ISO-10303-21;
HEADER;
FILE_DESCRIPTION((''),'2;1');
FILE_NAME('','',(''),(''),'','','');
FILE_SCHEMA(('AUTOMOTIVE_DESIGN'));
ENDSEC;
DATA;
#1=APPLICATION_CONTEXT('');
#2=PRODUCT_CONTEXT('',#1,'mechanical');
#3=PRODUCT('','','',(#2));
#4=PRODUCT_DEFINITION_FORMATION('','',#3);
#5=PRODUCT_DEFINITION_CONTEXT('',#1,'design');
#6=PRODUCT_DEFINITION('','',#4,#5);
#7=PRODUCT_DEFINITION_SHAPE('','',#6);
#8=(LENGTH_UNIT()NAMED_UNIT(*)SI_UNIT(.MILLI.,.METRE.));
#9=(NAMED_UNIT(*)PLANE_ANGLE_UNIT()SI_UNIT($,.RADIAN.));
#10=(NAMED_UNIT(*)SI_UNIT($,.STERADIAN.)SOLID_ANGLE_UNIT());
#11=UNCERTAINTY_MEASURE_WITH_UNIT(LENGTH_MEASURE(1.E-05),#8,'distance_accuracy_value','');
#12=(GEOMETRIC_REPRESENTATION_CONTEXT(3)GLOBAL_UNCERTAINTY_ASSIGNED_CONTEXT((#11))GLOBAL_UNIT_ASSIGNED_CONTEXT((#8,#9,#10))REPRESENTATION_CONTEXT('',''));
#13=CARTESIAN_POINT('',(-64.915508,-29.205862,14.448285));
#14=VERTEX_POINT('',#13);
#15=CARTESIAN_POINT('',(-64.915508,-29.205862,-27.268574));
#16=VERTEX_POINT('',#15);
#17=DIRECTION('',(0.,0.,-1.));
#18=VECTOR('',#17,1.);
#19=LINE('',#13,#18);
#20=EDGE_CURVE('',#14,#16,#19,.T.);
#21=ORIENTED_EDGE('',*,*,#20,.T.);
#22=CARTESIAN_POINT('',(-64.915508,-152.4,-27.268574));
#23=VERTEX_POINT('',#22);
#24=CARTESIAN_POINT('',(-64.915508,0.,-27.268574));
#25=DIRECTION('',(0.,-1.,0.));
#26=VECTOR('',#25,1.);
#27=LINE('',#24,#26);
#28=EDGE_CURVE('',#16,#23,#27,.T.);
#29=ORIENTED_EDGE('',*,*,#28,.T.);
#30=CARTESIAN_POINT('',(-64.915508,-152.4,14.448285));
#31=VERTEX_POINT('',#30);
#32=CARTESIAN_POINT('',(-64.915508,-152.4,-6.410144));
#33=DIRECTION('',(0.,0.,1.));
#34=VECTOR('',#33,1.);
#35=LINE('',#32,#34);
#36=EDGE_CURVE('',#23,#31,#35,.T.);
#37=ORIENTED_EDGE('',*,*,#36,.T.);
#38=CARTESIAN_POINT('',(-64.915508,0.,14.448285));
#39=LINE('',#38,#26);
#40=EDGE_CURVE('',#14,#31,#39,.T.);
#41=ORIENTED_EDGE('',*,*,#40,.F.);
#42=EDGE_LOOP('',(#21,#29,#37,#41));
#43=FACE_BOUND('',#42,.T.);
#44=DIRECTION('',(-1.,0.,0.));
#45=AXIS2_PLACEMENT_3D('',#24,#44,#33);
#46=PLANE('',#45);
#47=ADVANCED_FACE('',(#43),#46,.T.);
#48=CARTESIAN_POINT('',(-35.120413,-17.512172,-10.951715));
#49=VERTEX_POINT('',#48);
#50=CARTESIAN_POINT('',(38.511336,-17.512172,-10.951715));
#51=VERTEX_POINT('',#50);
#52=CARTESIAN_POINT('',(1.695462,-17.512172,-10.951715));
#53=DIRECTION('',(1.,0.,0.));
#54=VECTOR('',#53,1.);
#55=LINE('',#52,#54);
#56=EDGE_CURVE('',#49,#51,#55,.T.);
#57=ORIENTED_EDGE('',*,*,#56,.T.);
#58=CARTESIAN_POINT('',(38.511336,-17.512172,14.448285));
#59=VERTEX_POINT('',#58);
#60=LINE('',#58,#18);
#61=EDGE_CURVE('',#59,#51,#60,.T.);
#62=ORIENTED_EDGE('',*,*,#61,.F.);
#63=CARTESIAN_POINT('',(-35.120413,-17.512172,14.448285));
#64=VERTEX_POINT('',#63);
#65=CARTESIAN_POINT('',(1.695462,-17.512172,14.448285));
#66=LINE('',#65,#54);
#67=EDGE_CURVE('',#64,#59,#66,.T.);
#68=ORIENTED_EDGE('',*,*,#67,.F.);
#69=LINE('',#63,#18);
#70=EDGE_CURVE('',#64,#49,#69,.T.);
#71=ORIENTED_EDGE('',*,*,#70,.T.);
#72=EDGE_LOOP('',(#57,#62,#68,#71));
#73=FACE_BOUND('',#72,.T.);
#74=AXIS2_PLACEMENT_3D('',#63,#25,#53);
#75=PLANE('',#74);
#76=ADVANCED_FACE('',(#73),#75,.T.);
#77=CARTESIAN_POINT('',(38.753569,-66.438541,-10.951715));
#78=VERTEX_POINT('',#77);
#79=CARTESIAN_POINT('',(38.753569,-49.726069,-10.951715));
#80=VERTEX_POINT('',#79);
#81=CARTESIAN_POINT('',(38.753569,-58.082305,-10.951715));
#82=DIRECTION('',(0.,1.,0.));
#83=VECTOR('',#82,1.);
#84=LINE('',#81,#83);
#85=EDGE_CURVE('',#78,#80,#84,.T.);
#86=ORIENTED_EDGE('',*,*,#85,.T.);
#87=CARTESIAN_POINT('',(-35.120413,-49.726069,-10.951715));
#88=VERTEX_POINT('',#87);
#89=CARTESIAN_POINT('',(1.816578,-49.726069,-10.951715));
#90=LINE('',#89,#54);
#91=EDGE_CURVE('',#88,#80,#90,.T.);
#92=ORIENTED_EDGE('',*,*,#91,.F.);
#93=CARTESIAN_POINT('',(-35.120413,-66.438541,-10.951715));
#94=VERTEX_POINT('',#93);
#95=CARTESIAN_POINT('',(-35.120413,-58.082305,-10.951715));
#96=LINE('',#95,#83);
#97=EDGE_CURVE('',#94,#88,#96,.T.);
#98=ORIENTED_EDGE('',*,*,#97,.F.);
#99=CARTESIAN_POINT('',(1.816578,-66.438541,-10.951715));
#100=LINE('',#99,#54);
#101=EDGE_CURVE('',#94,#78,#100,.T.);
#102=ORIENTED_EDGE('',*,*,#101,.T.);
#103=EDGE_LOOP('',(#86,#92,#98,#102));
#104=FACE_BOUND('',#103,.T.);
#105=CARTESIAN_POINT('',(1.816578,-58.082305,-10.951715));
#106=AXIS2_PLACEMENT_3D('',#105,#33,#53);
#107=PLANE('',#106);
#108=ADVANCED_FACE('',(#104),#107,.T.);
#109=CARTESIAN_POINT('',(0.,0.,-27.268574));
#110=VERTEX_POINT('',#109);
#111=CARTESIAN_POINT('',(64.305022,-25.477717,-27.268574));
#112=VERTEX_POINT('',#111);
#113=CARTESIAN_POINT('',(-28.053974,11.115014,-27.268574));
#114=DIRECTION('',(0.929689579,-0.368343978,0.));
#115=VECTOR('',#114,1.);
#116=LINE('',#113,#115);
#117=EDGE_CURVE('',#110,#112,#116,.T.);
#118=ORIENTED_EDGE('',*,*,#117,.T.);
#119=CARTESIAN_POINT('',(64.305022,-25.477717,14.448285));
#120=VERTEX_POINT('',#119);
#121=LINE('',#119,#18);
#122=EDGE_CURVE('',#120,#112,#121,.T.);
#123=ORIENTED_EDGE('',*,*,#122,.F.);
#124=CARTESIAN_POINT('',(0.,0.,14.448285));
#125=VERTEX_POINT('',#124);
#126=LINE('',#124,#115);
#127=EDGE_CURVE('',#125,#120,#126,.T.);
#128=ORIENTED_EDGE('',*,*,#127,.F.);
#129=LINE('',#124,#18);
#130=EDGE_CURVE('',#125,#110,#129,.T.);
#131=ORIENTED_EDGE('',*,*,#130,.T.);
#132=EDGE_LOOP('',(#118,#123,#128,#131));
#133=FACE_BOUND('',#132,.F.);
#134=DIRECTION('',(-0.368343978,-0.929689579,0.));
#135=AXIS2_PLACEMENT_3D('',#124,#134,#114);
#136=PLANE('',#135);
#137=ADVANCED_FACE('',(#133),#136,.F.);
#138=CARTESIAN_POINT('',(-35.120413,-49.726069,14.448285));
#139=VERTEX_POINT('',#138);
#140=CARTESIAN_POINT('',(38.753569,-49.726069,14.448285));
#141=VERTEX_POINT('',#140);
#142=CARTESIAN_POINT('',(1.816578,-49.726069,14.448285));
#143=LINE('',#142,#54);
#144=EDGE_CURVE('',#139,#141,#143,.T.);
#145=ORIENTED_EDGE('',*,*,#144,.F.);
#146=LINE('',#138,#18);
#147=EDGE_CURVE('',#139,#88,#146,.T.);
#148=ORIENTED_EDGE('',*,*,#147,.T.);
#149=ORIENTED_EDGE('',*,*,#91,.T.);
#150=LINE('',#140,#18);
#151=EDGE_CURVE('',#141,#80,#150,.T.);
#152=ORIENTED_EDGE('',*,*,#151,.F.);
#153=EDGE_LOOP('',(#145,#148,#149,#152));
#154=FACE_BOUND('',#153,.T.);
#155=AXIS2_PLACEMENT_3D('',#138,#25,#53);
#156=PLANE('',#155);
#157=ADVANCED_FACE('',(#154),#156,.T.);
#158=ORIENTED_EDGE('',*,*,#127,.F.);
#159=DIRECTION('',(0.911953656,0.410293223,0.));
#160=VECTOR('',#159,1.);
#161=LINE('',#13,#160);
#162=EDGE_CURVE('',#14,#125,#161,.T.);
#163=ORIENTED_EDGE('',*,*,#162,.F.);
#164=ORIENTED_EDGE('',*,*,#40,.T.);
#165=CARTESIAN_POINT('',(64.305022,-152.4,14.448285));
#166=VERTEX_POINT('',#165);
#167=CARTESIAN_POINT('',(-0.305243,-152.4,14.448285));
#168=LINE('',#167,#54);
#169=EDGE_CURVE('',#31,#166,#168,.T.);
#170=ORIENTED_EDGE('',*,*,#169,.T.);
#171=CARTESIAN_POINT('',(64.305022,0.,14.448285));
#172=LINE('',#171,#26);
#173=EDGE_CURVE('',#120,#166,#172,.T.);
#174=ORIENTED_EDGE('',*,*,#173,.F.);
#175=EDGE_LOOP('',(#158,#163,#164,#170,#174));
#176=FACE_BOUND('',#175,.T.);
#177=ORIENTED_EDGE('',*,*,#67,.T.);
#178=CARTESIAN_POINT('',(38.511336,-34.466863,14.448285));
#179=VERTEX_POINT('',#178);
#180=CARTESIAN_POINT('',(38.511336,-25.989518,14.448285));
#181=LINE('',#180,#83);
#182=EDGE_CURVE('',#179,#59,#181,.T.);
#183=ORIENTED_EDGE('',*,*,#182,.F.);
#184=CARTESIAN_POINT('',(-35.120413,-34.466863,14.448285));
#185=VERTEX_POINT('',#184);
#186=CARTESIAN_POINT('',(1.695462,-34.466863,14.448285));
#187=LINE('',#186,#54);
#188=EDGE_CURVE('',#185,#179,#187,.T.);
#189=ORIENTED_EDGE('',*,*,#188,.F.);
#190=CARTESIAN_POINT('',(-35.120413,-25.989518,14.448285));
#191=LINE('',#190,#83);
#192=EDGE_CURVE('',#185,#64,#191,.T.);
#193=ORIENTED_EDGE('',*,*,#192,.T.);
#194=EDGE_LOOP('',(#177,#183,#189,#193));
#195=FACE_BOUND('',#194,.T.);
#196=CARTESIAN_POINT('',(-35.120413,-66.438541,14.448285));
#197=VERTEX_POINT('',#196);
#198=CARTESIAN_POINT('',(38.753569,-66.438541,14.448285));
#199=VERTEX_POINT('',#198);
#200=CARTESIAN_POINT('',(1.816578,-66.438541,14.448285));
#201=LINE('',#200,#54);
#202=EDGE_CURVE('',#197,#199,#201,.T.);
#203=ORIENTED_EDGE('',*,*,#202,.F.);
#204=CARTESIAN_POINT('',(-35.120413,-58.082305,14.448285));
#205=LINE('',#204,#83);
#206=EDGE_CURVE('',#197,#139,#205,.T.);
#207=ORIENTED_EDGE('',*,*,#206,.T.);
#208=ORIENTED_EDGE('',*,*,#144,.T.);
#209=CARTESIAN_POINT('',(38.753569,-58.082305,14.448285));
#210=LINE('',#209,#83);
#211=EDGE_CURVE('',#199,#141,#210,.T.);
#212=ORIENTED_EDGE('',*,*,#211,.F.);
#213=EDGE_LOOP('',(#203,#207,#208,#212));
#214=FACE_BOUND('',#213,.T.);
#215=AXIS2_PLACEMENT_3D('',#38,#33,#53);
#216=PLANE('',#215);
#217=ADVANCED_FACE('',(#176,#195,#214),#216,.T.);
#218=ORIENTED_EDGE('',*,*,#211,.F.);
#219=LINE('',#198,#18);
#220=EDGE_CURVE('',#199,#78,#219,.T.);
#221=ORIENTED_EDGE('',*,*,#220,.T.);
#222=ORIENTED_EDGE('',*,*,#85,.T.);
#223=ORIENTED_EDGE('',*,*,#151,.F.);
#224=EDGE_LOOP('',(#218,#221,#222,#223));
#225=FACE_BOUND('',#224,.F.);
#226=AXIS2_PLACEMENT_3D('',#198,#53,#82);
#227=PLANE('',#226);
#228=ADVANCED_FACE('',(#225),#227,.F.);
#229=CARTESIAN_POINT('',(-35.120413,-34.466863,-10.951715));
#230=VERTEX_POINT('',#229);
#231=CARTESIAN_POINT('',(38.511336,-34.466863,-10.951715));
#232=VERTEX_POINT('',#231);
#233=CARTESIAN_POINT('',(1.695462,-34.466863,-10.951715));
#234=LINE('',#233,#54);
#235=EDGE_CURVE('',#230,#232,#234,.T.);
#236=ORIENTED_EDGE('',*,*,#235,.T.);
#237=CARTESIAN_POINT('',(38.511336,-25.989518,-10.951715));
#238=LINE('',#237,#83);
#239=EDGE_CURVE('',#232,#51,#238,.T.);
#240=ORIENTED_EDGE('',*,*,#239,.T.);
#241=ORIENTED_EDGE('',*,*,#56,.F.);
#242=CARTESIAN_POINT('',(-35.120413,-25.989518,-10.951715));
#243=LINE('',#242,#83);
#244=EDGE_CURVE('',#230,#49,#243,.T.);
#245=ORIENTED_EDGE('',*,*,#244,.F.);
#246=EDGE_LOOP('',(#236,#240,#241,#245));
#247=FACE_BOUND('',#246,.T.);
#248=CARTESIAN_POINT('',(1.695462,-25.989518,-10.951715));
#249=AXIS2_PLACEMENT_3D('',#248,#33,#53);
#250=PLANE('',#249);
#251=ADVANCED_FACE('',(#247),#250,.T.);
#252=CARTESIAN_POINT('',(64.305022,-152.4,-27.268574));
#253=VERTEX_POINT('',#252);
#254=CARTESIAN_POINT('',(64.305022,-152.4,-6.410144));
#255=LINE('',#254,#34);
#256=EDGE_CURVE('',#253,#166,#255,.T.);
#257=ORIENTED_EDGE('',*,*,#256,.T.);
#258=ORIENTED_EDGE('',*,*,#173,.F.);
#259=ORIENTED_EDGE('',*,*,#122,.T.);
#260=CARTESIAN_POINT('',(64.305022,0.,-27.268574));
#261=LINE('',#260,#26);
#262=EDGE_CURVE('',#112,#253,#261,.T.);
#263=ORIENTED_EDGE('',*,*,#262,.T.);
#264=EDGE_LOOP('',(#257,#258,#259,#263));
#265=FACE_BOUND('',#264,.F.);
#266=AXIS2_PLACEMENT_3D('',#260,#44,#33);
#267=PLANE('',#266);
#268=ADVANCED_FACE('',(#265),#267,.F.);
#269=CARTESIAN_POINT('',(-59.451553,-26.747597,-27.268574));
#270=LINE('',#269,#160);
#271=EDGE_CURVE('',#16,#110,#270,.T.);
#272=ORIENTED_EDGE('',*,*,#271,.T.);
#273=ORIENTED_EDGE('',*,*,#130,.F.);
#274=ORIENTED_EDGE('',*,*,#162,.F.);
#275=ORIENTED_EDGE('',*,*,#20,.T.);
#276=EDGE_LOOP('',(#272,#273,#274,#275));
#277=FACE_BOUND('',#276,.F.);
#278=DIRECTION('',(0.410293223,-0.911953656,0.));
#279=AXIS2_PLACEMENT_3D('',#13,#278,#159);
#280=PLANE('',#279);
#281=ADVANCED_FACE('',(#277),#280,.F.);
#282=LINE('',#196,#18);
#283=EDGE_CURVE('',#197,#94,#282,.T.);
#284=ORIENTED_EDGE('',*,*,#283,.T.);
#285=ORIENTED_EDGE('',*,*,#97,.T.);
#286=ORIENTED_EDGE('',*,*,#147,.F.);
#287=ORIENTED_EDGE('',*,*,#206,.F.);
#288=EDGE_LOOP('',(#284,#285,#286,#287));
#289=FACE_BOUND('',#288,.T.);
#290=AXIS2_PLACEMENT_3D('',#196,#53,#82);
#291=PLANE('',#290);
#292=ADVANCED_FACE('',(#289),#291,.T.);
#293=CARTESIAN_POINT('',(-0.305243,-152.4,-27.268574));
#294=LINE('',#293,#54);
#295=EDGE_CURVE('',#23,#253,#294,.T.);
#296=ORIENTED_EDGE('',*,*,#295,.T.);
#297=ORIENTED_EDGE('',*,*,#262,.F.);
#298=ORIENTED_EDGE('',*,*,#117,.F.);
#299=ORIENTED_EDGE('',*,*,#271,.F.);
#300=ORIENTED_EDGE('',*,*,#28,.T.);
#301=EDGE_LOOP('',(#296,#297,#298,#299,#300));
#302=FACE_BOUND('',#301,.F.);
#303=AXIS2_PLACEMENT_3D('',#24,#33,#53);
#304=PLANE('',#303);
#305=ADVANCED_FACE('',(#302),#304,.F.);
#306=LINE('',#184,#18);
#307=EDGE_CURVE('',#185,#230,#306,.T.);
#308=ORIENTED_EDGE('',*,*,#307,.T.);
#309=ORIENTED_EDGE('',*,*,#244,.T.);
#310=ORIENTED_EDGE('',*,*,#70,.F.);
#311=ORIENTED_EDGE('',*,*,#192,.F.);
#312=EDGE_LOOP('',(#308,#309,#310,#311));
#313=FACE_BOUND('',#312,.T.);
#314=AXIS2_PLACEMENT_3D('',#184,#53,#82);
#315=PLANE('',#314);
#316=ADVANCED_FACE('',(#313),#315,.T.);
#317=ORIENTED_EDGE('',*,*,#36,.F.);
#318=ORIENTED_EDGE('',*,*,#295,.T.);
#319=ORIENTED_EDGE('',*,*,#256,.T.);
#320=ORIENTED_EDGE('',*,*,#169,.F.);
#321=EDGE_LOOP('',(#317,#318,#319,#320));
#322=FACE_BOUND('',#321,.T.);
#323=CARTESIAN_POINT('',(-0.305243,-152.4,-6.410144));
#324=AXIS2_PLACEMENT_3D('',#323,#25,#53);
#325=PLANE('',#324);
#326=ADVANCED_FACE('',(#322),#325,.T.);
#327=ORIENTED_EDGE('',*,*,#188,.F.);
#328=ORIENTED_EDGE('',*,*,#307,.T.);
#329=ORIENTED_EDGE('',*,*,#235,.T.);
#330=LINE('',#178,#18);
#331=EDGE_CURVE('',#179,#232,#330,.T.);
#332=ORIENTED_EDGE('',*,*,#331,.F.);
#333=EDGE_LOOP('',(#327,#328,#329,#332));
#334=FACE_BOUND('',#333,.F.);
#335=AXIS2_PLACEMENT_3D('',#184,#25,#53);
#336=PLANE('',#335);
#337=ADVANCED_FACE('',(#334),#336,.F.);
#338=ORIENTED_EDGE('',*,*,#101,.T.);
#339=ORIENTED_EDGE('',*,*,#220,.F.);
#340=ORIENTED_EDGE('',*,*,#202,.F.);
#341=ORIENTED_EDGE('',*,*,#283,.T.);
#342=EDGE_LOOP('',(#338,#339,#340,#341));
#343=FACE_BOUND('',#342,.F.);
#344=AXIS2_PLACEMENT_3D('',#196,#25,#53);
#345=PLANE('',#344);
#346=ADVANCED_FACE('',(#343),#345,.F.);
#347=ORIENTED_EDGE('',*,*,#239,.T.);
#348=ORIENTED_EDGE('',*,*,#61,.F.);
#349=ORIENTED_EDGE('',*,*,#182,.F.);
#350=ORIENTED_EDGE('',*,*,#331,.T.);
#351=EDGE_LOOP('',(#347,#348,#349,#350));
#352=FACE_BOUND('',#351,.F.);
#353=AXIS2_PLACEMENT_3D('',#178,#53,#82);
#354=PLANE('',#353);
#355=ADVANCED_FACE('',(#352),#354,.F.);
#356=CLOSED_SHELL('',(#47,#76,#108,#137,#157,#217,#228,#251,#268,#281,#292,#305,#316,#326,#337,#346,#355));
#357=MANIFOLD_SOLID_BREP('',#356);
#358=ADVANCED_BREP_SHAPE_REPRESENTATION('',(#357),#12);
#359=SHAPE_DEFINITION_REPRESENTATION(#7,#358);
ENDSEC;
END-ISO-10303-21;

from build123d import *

# Parameters (mm, degrees)
F0_W     = 129.2205303907
F0_H     = 41.7168587446
F1_DEPTH = 152.4
F2_W     = 73.6317485571
F2_H     = 16.954690218
F2_W_2   = 73.8739818335
F2_H_2   = 16.7124718428
F3_DEPTH = 25.4
F5_DEPTH = 41.7178587446


with BuildPart() as f1:
    # F0 (on Front) → F1 (new body)
    with BuildSketch(Plane.XZ):
        with Locations((-0.3052428365, -6.4101442695)):
            Rectangle(F0_W, F0_H)
    extrude(amount=F1_DEPTH)

    # F2 (on face) → F3 (cut)
    with BuildSketch(Plane.XY.offset(14.4482851028)):
        with Locations((1.6954615712, -25.9895175695)):
            Rectangle(F2_W, F2_H)
        with Locations((1.8165782094, -58.0823048949)):
            Rectangle(F2_W_2, F2_H_2)
    extrude(amount=-F3_DEPTH, mode=Mode.SUBTRACT)

    # F4 (on face) → F5 (cut, through all)
    with BuildSketch(Plane.XY.offset(14.4482851028)):
        Polygon((64.3050223589, 0), (0, 0), (64.3050223589, -25.4777166992), align=None)
        Polygon((-64.9155080318, 0), (-64.9155080318, -29.2058624327), (0, 0), align=None)
    extrude(amount=-F5_DEPTH, mode=Mode.SUBTRACT)


solid = f1.part
